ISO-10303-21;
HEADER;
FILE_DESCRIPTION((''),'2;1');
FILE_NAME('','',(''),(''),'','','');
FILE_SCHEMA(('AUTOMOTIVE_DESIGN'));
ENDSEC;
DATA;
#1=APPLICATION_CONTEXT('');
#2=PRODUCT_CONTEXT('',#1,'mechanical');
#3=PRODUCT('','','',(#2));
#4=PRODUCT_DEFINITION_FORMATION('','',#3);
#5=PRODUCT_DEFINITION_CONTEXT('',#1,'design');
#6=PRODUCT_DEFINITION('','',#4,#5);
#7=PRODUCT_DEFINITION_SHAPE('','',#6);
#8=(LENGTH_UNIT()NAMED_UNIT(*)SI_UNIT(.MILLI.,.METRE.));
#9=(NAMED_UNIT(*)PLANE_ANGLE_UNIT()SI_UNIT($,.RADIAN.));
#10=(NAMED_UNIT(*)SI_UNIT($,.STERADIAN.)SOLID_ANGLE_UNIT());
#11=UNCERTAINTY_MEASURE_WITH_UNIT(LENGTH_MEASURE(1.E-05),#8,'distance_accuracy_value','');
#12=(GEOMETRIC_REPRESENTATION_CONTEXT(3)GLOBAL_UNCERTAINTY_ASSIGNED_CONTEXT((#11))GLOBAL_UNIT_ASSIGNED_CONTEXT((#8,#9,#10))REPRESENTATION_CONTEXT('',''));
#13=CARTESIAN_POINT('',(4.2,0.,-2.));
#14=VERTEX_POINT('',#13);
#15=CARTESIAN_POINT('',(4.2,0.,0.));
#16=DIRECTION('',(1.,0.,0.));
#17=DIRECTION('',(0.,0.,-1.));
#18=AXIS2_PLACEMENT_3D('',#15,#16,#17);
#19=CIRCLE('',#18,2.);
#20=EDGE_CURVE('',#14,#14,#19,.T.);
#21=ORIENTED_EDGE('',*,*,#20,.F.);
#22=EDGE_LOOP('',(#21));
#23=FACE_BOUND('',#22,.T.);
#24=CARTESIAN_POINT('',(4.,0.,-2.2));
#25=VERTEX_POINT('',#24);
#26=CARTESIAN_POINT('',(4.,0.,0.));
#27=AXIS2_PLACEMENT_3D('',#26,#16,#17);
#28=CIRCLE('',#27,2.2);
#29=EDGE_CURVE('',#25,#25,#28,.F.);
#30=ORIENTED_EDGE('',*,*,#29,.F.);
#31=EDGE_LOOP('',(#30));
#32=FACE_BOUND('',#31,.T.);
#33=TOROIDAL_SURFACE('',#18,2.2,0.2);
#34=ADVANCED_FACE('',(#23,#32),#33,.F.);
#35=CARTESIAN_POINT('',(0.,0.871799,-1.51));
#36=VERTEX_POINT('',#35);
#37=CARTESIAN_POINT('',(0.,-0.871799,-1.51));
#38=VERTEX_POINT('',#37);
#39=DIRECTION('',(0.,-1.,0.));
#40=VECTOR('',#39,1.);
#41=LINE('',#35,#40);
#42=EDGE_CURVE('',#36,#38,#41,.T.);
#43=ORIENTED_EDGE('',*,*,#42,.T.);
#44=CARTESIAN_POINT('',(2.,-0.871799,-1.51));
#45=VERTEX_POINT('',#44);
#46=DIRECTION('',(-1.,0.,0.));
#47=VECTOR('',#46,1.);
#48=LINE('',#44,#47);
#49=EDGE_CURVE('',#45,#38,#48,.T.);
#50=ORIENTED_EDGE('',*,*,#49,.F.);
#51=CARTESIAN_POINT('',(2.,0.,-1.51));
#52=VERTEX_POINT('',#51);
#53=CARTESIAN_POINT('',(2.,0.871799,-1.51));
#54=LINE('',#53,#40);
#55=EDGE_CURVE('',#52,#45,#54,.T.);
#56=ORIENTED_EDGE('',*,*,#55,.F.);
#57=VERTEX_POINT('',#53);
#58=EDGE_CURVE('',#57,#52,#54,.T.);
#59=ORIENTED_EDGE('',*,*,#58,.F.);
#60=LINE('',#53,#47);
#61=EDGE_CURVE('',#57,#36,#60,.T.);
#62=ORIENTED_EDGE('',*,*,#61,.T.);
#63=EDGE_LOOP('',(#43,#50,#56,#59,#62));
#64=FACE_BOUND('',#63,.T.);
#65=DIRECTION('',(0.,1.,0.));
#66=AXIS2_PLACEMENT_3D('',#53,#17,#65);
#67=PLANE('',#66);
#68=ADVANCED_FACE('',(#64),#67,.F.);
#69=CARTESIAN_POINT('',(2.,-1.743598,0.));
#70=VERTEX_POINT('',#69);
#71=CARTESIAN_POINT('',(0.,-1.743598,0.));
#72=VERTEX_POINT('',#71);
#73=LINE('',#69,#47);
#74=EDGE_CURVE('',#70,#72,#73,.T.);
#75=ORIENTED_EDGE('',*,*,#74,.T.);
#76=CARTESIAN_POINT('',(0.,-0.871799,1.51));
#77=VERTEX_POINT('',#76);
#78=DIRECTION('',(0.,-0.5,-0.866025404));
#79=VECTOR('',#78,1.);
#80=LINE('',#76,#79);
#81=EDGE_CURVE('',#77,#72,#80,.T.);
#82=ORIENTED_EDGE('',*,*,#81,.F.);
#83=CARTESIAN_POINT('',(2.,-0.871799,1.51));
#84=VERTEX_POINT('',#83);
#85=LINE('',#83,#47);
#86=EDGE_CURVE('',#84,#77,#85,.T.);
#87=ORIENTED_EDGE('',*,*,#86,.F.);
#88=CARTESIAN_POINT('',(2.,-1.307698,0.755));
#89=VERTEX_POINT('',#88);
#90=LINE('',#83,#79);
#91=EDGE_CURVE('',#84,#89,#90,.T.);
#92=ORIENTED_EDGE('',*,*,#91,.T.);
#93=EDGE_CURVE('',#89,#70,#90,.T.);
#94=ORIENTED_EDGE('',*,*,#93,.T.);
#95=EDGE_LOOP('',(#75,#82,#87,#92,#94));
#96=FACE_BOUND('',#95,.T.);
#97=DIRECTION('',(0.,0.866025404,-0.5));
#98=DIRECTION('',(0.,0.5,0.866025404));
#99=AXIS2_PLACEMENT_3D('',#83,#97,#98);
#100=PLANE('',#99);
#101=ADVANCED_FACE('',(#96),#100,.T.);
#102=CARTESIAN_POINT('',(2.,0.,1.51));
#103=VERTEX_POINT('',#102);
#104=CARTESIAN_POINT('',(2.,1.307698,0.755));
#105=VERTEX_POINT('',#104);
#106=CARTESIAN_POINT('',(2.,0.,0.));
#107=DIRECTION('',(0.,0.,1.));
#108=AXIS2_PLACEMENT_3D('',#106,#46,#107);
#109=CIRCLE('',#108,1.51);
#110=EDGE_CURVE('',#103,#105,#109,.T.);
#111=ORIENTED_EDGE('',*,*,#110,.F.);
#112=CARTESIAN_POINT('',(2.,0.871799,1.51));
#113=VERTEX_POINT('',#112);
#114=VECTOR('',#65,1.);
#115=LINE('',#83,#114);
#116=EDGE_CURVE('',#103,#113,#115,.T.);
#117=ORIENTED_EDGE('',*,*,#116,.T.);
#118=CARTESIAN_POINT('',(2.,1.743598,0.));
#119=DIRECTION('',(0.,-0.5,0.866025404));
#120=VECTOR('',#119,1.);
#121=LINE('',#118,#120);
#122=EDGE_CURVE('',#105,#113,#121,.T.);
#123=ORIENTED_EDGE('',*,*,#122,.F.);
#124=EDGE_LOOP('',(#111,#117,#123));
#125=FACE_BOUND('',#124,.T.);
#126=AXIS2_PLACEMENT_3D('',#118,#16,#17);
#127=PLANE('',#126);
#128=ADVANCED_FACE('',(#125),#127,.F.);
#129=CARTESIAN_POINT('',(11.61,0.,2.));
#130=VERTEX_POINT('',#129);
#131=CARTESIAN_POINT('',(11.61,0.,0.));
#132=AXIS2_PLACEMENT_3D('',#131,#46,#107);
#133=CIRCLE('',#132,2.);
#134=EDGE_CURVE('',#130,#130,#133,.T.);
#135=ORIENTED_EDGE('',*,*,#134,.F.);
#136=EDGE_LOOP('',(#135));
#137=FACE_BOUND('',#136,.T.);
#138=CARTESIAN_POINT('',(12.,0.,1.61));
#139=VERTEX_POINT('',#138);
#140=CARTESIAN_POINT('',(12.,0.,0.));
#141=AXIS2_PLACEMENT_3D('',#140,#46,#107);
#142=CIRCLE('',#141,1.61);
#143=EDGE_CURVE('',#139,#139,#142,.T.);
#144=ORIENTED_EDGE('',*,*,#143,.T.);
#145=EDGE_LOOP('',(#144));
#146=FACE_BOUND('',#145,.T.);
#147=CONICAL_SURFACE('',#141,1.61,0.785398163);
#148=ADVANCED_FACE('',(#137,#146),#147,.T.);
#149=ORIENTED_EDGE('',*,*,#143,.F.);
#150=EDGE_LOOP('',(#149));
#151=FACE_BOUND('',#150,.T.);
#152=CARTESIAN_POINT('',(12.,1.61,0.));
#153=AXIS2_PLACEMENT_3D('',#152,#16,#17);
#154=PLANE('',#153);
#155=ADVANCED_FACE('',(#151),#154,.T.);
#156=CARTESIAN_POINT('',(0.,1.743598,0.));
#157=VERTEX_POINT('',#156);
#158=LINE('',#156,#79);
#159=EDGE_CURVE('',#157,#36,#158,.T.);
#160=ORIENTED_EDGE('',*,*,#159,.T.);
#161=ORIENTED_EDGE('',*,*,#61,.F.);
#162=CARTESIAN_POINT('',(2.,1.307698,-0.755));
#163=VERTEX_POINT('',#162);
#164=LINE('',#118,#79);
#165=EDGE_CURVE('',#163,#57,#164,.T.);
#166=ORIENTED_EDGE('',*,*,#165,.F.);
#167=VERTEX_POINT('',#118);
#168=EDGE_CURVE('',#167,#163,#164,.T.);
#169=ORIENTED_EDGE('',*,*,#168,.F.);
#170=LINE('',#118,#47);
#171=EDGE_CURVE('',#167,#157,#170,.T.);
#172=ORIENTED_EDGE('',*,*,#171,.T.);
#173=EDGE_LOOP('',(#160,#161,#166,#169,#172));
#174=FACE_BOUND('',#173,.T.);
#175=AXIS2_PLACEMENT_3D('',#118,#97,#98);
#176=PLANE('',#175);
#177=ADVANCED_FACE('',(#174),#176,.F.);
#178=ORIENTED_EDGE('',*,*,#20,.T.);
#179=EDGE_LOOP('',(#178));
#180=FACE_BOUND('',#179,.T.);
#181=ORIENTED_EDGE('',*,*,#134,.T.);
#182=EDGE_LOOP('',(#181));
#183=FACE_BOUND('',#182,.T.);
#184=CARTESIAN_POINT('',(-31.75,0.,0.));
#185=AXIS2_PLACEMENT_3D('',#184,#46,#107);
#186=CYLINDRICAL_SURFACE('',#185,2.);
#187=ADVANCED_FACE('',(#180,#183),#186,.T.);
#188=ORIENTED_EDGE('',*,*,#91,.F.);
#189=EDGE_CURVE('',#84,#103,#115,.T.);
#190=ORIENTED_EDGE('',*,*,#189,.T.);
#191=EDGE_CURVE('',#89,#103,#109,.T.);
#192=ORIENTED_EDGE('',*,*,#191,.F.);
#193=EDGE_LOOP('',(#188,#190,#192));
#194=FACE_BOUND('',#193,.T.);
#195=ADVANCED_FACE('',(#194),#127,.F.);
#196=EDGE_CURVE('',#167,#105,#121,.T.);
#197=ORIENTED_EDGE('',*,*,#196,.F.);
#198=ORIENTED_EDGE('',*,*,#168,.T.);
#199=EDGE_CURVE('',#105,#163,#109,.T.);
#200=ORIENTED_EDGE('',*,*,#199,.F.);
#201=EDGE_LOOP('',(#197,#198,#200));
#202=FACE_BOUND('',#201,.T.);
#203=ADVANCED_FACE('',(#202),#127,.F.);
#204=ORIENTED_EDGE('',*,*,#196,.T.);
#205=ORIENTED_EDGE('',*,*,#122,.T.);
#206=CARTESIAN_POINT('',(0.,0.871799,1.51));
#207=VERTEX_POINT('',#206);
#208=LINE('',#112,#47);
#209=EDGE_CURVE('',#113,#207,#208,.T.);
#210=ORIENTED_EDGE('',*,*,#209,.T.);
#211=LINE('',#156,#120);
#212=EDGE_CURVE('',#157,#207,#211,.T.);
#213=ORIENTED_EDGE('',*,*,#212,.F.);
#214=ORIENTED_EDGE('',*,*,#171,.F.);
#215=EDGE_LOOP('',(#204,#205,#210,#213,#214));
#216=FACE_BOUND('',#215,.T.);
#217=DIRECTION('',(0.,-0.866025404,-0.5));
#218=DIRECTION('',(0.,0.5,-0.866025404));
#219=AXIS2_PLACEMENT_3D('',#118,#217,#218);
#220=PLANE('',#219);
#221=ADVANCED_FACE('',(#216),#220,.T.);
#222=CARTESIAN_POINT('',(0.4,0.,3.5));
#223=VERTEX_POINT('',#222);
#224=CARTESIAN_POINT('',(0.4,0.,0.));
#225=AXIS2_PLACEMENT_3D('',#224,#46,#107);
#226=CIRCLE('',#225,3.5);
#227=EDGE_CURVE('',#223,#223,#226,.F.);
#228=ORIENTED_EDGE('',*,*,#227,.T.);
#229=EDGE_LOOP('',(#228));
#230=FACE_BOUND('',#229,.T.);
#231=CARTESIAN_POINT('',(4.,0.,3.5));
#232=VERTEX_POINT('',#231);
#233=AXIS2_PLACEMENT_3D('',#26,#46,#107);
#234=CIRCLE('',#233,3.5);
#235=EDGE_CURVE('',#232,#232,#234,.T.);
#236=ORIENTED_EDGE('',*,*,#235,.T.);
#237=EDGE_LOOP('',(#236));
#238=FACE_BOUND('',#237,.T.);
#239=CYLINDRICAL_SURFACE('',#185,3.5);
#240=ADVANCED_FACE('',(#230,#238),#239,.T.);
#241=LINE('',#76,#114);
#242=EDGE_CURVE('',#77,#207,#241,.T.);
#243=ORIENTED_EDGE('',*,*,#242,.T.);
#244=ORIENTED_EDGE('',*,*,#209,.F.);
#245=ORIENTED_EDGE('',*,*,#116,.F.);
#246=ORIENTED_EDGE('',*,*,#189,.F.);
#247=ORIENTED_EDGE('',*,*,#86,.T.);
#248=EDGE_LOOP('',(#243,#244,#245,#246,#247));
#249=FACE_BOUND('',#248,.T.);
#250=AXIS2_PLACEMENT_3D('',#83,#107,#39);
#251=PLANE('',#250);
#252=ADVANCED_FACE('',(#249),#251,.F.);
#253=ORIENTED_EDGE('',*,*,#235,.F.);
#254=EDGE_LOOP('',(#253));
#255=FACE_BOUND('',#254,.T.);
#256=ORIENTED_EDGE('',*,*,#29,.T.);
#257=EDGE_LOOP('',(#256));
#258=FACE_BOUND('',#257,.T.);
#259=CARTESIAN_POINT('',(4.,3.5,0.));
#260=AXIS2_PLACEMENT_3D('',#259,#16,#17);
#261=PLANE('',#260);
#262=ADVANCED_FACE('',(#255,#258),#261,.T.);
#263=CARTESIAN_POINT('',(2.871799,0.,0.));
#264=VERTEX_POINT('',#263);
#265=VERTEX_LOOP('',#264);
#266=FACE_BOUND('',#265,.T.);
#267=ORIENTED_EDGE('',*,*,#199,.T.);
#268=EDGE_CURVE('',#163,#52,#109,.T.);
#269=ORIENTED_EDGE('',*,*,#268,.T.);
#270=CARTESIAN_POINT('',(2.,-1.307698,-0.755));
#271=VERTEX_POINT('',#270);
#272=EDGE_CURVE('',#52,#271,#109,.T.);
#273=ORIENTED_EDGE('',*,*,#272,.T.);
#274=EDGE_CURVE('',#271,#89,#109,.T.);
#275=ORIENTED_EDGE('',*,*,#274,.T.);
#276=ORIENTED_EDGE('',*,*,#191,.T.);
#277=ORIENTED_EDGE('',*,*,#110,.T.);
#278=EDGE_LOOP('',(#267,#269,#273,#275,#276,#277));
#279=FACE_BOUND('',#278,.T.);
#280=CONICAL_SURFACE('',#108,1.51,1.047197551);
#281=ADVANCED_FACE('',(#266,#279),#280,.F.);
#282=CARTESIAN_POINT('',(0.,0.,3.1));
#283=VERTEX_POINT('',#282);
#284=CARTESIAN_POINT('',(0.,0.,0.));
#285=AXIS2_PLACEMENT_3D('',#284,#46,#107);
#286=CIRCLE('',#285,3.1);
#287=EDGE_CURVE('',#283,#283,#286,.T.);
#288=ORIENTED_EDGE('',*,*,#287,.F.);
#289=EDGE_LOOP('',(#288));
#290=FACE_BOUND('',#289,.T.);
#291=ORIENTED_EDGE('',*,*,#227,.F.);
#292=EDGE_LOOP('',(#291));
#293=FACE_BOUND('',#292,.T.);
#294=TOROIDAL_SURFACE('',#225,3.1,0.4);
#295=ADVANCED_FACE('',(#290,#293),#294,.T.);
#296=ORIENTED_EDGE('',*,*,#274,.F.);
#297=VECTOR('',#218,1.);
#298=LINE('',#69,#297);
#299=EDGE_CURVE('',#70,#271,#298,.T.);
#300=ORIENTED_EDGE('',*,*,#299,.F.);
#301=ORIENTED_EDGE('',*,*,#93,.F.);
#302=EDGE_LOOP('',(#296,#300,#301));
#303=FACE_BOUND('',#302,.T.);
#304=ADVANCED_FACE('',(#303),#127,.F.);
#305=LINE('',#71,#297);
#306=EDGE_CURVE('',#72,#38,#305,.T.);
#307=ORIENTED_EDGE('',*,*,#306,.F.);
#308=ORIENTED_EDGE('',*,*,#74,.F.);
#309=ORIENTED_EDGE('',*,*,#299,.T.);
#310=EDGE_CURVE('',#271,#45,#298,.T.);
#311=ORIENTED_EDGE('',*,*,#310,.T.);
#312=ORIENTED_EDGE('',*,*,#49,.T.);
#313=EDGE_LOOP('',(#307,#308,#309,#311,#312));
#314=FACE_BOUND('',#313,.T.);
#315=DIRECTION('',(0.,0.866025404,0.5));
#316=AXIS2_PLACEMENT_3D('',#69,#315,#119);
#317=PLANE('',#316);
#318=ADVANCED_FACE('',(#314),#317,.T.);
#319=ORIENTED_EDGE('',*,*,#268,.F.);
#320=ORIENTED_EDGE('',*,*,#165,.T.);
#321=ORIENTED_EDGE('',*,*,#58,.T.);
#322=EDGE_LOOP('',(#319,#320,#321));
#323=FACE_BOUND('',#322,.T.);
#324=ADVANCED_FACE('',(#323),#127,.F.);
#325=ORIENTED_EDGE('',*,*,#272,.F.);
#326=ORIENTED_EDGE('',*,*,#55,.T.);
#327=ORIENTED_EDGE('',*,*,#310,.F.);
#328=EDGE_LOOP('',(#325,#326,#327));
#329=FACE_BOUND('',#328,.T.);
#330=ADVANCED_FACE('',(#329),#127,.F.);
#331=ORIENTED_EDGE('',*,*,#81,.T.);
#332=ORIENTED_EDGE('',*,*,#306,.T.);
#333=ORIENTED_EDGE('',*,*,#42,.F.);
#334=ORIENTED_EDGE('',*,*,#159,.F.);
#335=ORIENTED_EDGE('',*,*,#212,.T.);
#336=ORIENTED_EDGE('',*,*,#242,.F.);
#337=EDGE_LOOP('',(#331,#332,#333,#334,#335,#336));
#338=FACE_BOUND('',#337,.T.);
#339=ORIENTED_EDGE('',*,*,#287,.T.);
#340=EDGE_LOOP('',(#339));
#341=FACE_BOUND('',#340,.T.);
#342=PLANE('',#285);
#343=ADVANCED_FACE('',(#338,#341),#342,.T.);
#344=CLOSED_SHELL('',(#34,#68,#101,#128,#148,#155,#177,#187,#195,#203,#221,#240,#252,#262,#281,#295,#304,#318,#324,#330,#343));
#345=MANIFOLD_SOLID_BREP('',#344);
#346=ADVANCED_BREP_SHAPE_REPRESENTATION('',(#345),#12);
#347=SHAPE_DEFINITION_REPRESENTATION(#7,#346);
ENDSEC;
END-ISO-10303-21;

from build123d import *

# Parameters (mm, degrees)
FILLET1_R   = 0.2
FILLET2_R   = 0.4
HEX_2_DEPTH = 2


with BuildPart() as part:
    # BodySke → Base-Revolve (revolve)
    with BuildSketch(Plane.XY, mode=Mode.PRIVATE) as base_revolve_sk:
        Polygon((0, 0), (0, 3.5), (4, 3.5), (4, 2), (11.61, 2), (12, 1.61), (12, 0), align=None)
    revolve(base_revolve_sk.sketch.rotate(Axis((-31.75, 0, 0), (1, 0, 0)), 90), axis=Axis((-31.75, 0, 0), (1, 0, 0)))

    # Fillet1
    fillet1_edges = [part.edges().sort_by_distance(p)[0] for p in [
        (4, 0, -2),
    ]]
    fillet(fillet1_edges, radius=FILLET1_R)

    # Fillet2
    fillet2_edges = [part.edges().sort_by_distance(p)[0] for p in [
        (0, 0, -3.5),
    ]]
    fillet(fillet2_edges, radius=FILLET2_R)

    # Sketch2 → Hex-PreBroach (revolve, cut)
    with BuildSketch(Plane.XY, mode=Mode.PRIVATE) as hex_prebroach_sk:
        Polygon((0, 1.51), (2, 1.51), (2.871798906, 0), (0, 0), align=None)
    revolve(hex_prebroach_sk.sketch.rotate(Axis((0, 0, 0), (1, 0, 0)), 90), axis=Axis((0, 0, 0), (1, 0, 0)), mode=Mode.SUBTRACT)

    # Sketch3 → Hex 2 (cut)
    with BuildSketch(Plane(origin=(0, 0, 0), x_dir=(0, 0.500000000000001, 0.866025403784438), z_dir=(-1, 0, 0))):
        Polygon((0.871798906, 1.51), (-0.871798906, 1.51), (-1.743597813, 0), (-0.871798906, -1.51), (0.871798906, -1.51), (1.743597813, 0), align=None)
    extrude(amount=-HEX_2_DEPTH, mode=Mode.SUBTRACT)


solid = part.part
